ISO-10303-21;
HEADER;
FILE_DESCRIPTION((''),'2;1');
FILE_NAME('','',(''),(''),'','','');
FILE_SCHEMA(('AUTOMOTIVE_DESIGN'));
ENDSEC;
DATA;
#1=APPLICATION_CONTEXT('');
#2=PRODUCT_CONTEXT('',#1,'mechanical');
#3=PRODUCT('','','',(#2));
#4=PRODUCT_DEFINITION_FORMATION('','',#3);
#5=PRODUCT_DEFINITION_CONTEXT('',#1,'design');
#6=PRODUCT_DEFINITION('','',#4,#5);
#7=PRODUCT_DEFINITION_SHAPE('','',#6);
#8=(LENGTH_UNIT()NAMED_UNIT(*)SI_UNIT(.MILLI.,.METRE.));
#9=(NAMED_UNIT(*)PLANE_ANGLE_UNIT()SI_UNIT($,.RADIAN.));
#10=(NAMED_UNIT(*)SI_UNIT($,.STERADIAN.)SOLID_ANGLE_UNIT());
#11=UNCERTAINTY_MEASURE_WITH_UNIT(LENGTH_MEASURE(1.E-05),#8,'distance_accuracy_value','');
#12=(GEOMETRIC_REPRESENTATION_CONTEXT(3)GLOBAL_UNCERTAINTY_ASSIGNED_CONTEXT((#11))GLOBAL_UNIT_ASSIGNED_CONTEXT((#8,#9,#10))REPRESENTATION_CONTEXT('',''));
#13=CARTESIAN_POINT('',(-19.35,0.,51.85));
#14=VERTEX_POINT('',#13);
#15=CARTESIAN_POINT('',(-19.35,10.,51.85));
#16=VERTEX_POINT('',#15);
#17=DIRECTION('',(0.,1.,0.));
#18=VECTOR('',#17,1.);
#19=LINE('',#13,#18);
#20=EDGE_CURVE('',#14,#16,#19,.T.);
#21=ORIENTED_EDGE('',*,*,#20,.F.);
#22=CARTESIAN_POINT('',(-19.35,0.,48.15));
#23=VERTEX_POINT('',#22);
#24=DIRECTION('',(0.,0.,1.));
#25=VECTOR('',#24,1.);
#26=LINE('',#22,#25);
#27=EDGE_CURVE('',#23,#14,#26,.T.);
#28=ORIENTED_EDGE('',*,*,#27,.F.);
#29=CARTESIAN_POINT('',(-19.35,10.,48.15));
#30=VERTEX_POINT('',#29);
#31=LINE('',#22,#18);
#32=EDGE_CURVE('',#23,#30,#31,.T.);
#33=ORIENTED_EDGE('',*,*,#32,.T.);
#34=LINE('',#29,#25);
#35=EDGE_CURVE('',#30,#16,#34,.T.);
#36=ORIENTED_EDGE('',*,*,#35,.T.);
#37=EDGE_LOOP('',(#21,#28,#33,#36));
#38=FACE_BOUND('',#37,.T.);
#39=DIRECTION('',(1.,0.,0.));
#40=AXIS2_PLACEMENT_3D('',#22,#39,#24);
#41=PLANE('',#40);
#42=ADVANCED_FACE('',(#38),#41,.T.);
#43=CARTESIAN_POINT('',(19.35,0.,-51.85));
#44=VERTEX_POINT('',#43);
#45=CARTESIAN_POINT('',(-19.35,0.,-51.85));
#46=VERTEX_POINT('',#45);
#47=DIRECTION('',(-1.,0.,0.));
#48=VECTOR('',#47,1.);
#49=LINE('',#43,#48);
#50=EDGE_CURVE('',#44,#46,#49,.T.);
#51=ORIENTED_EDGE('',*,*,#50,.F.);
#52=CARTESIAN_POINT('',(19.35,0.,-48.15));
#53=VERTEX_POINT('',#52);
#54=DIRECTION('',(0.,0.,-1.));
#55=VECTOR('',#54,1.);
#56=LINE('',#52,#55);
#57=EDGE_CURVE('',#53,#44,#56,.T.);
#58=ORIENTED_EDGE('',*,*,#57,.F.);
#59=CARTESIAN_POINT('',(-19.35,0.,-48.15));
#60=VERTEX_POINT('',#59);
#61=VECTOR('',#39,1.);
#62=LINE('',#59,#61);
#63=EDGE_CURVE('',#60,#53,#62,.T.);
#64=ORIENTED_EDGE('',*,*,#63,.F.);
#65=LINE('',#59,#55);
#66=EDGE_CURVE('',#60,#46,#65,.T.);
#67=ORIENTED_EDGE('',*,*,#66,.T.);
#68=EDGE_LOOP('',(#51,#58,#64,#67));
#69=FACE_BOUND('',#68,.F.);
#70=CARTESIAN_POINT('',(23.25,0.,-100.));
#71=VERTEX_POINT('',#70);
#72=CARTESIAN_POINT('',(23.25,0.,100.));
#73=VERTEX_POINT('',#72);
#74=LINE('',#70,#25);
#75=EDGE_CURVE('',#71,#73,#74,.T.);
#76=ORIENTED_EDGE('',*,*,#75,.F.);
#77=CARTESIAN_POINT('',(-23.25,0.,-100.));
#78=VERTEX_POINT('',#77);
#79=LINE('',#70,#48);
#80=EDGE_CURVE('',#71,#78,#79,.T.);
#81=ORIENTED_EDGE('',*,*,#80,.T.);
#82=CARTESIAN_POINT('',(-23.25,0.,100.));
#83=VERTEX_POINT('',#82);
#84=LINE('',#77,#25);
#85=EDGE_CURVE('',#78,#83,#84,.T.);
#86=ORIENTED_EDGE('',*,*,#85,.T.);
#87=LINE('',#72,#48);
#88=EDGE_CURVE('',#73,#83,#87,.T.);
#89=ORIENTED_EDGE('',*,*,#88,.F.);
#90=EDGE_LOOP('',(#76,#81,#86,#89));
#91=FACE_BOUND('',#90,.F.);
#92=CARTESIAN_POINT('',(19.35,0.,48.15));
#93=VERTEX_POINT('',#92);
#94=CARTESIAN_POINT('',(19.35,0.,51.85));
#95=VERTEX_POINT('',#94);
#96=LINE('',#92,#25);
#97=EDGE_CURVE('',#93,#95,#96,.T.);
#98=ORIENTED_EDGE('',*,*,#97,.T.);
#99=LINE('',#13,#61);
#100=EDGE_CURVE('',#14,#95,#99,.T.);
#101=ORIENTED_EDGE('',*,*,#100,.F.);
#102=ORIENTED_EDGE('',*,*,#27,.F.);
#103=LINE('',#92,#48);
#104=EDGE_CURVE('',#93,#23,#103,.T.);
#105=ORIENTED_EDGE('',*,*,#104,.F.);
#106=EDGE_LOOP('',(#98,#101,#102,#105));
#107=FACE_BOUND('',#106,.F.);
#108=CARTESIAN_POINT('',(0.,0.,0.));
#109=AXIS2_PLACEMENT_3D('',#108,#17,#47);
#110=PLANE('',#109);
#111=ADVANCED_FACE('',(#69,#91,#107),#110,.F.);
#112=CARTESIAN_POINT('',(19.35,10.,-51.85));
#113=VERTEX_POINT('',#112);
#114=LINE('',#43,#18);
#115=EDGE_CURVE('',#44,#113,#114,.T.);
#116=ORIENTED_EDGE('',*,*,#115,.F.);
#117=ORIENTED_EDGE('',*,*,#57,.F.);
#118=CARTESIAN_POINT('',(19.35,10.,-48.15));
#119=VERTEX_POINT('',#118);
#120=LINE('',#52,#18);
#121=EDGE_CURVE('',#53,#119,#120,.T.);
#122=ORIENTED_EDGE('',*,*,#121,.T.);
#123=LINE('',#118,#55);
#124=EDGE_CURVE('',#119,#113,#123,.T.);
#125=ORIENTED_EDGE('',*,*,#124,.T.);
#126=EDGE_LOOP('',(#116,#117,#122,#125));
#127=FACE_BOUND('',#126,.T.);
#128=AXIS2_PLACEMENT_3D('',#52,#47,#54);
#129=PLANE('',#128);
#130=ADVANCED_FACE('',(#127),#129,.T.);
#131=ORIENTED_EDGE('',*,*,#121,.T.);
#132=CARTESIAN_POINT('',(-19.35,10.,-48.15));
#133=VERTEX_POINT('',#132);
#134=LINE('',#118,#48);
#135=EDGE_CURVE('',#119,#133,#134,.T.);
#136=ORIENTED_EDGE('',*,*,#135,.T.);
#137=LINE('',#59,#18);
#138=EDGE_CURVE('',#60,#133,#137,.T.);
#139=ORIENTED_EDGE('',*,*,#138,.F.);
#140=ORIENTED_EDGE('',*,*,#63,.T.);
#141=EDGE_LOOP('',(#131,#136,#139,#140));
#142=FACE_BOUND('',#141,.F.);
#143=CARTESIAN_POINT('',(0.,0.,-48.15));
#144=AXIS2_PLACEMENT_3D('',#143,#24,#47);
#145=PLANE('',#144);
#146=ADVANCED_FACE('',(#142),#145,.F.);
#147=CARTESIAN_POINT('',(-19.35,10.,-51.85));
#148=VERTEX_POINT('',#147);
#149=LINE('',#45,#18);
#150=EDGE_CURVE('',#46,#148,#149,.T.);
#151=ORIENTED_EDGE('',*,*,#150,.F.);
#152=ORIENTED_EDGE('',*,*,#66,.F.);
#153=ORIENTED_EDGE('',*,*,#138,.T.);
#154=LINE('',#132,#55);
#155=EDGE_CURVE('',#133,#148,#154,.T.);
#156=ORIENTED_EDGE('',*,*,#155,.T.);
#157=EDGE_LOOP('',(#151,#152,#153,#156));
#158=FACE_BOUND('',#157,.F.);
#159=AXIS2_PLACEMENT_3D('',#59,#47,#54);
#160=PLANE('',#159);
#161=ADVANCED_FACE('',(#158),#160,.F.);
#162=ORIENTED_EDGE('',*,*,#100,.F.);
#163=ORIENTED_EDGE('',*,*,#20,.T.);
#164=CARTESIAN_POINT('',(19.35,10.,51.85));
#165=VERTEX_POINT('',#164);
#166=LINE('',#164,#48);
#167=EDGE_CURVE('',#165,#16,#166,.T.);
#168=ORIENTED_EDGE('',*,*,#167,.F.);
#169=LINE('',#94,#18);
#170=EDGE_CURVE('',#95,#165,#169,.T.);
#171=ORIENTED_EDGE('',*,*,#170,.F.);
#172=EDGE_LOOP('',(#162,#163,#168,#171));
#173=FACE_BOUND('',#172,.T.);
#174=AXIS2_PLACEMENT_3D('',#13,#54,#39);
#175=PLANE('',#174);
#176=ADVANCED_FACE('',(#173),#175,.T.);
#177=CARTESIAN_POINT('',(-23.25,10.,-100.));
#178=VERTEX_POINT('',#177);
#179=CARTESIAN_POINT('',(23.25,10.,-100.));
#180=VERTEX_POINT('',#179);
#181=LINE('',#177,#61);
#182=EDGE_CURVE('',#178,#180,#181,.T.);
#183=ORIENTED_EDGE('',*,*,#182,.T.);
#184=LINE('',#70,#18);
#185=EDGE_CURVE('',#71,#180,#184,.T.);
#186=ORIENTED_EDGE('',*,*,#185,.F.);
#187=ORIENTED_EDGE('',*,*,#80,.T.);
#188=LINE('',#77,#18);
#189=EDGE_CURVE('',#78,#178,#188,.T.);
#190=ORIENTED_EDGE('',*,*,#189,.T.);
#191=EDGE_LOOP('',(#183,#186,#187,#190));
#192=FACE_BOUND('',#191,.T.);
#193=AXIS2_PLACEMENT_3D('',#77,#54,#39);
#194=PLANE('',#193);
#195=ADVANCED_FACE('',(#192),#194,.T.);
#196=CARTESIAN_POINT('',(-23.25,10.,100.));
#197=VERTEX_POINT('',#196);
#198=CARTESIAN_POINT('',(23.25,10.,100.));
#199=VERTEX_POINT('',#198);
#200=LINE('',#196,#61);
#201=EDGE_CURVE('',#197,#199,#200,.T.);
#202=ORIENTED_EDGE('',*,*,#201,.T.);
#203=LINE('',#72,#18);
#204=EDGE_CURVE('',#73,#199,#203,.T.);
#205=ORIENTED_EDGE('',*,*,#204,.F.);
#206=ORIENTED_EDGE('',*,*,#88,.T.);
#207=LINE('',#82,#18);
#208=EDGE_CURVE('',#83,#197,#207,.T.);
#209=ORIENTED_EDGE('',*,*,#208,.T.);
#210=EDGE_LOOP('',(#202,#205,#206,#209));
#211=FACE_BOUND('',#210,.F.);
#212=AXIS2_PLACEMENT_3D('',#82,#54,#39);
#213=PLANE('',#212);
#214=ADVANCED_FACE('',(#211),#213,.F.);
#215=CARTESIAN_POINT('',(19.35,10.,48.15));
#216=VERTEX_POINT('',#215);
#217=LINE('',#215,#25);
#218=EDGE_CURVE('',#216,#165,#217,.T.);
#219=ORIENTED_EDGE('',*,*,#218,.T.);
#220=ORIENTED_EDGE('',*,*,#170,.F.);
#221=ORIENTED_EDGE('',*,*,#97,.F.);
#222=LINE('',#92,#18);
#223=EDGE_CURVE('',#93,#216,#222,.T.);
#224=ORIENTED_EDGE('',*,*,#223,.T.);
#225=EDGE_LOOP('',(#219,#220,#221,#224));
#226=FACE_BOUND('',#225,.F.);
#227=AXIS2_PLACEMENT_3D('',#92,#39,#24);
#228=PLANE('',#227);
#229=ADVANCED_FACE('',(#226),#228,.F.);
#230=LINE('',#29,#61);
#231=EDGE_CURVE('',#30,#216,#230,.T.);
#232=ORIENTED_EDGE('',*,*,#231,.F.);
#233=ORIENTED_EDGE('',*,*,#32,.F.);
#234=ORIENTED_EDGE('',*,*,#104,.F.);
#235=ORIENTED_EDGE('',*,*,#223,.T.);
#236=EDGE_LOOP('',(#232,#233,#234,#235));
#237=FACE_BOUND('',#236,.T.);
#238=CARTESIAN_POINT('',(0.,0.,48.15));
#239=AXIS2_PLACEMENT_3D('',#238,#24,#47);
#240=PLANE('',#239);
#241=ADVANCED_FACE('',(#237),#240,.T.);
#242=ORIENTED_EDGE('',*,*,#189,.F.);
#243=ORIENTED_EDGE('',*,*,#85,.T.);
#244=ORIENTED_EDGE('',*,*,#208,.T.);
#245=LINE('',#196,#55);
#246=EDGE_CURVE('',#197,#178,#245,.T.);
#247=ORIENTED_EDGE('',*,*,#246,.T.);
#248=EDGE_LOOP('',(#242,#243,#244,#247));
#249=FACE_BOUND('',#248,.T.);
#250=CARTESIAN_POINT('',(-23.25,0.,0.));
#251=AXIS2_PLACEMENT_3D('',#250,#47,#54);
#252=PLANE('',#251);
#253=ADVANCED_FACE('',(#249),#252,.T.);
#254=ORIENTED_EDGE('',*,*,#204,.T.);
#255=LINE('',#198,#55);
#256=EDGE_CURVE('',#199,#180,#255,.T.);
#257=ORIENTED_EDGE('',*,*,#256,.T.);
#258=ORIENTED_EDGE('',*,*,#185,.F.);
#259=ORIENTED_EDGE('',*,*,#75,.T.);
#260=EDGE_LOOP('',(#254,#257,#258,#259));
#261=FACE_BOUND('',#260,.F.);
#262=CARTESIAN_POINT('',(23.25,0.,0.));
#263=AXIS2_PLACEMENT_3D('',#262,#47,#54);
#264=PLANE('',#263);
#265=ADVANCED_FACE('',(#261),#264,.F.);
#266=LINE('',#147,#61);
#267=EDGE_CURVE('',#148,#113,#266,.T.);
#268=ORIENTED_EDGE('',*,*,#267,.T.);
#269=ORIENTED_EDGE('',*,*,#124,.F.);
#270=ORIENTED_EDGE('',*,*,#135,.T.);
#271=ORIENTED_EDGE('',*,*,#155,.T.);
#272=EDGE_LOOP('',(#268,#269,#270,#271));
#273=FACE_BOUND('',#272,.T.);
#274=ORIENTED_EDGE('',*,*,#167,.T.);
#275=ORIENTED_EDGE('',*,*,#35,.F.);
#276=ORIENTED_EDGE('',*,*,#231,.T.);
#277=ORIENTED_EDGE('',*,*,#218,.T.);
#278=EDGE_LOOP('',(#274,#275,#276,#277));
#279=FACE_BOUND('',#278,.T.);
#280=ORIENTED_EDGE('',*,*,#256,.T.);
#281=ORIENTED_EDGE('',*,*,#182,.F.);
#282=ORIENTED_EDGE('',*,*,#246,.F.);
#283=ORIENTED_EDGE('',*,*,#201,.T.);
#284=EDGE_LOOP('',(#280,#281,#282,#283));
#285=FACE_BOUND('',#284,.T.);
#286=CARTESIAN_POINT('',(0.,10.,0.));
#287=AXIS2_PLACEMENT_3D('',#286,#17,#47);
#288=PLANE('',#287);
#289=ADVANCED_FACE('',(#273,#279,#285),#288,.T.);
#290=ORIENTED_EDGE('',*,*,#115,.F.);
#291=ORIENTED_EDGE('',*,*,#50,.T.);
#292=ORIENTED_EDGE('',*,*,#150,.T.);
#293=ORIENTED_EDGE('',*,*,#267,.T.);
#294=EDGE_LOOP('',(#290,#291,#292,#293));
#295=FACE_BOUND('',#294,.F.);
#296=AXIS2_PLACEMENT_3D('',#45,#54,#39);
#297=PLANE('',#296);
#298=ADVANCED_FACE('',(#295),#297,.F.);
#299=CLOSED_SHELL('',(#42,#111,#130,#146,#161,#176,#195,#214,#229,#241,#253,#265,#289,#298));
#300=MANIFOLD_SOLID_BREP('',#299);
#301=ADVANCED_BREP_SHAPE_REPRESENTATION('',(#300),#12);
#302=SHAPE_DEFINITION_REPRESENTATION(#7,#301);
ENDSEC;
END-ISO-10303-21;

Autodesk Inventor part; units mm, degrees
ref_plane "YZ Plane" through (0, 0, 0) normal (1, 0, 0) x (0, 1, 0)
ref_plane "XZ Plane" through (0, 0, 0) normal (0, 1, 0) x (-1, 0, 0)
ref_plane "XY Plane" through (0, 0, 0) normal (0, 0, 1) x (1, 0, 0)
sketch "스케치1" plane through (0, 0, 0) normal (0, 1, 0) x (-1, 0, 0)
  line L0 (23.25, 0) -> (23.25, -100)
  line L1 (23.25, -100) -> (0, -100)
  line L2 (32.55, 0) -> (-32.55, 0) projected
  line L3 (0, -144) -> (0, 164) projected
  line L4 (0, -48.15) -> (19.35, -48.15)
  line L5 (19.35, -48.15) -> (19.35, -51.85)
  line L6 (19.35, -51.85) -> (0, -51.85)
  line L7 (23.25, 0) -> (23.25, 100)
  line L8 (23.25, 100) -> (0, 100)
  line L9 (0, 144) -> (0, -164)
  line L10 (0, 48.15) -> (19.35, 48.15)
  line L11 (19.35, 48.15) -> (19.35, 51.85)
  line L12 (19.35, 51.85) -> (0, 51.85)
  line L13 (-23.25, 0) -> (-23.25, -100)
  line L14 (-23.25, -100) -> (0, -100)
  line L15 (-32.55, 0) -> (32.55, 0)
  line L16 (0, -48.15) -> (-19.35, -48.15)
  line L17 (-19.35, -48.15) -> (-19.35, -51.85)
  line L18 (-19.35, -51.85) -> (0, -51.85)
  line L19 (-23.25, 0) -> (-23.25, 100)
  line L20 (-23.25, 100) -> (0, 100)
  line L21 (0, 48.15) -> (-19.35, 48.15)
  line L22 (-19.35, 48.15) -> (-19.35, 51.85)
  line L23 (-19.35, 51.85) -> (0, 51.85)
  point P0 (0, 0)
  point P1 (11.625, -100)
  point P2 (11.625, 100)
  point P3 (-11.625, -100)
  point P4 (-11.625, 100)
  dimension "d0" = 100
  dimension "d1" = 23.25
  dimension "d2" = 3.7
  dimension "d3" = 19.35
  dimension "d4" = 48.15
extrude "돌출1" add sketch "스케치1" along normal blind 10 contours L0 L1 L3 L6 L5 L4 L2 | L2 L3 L10 L11 L12 L8 L7 | L3 L16 L17 L18 L14 L13 L2 | L2 L19 L20 L3 L23 L22 L21
properties part number "end_wall"
